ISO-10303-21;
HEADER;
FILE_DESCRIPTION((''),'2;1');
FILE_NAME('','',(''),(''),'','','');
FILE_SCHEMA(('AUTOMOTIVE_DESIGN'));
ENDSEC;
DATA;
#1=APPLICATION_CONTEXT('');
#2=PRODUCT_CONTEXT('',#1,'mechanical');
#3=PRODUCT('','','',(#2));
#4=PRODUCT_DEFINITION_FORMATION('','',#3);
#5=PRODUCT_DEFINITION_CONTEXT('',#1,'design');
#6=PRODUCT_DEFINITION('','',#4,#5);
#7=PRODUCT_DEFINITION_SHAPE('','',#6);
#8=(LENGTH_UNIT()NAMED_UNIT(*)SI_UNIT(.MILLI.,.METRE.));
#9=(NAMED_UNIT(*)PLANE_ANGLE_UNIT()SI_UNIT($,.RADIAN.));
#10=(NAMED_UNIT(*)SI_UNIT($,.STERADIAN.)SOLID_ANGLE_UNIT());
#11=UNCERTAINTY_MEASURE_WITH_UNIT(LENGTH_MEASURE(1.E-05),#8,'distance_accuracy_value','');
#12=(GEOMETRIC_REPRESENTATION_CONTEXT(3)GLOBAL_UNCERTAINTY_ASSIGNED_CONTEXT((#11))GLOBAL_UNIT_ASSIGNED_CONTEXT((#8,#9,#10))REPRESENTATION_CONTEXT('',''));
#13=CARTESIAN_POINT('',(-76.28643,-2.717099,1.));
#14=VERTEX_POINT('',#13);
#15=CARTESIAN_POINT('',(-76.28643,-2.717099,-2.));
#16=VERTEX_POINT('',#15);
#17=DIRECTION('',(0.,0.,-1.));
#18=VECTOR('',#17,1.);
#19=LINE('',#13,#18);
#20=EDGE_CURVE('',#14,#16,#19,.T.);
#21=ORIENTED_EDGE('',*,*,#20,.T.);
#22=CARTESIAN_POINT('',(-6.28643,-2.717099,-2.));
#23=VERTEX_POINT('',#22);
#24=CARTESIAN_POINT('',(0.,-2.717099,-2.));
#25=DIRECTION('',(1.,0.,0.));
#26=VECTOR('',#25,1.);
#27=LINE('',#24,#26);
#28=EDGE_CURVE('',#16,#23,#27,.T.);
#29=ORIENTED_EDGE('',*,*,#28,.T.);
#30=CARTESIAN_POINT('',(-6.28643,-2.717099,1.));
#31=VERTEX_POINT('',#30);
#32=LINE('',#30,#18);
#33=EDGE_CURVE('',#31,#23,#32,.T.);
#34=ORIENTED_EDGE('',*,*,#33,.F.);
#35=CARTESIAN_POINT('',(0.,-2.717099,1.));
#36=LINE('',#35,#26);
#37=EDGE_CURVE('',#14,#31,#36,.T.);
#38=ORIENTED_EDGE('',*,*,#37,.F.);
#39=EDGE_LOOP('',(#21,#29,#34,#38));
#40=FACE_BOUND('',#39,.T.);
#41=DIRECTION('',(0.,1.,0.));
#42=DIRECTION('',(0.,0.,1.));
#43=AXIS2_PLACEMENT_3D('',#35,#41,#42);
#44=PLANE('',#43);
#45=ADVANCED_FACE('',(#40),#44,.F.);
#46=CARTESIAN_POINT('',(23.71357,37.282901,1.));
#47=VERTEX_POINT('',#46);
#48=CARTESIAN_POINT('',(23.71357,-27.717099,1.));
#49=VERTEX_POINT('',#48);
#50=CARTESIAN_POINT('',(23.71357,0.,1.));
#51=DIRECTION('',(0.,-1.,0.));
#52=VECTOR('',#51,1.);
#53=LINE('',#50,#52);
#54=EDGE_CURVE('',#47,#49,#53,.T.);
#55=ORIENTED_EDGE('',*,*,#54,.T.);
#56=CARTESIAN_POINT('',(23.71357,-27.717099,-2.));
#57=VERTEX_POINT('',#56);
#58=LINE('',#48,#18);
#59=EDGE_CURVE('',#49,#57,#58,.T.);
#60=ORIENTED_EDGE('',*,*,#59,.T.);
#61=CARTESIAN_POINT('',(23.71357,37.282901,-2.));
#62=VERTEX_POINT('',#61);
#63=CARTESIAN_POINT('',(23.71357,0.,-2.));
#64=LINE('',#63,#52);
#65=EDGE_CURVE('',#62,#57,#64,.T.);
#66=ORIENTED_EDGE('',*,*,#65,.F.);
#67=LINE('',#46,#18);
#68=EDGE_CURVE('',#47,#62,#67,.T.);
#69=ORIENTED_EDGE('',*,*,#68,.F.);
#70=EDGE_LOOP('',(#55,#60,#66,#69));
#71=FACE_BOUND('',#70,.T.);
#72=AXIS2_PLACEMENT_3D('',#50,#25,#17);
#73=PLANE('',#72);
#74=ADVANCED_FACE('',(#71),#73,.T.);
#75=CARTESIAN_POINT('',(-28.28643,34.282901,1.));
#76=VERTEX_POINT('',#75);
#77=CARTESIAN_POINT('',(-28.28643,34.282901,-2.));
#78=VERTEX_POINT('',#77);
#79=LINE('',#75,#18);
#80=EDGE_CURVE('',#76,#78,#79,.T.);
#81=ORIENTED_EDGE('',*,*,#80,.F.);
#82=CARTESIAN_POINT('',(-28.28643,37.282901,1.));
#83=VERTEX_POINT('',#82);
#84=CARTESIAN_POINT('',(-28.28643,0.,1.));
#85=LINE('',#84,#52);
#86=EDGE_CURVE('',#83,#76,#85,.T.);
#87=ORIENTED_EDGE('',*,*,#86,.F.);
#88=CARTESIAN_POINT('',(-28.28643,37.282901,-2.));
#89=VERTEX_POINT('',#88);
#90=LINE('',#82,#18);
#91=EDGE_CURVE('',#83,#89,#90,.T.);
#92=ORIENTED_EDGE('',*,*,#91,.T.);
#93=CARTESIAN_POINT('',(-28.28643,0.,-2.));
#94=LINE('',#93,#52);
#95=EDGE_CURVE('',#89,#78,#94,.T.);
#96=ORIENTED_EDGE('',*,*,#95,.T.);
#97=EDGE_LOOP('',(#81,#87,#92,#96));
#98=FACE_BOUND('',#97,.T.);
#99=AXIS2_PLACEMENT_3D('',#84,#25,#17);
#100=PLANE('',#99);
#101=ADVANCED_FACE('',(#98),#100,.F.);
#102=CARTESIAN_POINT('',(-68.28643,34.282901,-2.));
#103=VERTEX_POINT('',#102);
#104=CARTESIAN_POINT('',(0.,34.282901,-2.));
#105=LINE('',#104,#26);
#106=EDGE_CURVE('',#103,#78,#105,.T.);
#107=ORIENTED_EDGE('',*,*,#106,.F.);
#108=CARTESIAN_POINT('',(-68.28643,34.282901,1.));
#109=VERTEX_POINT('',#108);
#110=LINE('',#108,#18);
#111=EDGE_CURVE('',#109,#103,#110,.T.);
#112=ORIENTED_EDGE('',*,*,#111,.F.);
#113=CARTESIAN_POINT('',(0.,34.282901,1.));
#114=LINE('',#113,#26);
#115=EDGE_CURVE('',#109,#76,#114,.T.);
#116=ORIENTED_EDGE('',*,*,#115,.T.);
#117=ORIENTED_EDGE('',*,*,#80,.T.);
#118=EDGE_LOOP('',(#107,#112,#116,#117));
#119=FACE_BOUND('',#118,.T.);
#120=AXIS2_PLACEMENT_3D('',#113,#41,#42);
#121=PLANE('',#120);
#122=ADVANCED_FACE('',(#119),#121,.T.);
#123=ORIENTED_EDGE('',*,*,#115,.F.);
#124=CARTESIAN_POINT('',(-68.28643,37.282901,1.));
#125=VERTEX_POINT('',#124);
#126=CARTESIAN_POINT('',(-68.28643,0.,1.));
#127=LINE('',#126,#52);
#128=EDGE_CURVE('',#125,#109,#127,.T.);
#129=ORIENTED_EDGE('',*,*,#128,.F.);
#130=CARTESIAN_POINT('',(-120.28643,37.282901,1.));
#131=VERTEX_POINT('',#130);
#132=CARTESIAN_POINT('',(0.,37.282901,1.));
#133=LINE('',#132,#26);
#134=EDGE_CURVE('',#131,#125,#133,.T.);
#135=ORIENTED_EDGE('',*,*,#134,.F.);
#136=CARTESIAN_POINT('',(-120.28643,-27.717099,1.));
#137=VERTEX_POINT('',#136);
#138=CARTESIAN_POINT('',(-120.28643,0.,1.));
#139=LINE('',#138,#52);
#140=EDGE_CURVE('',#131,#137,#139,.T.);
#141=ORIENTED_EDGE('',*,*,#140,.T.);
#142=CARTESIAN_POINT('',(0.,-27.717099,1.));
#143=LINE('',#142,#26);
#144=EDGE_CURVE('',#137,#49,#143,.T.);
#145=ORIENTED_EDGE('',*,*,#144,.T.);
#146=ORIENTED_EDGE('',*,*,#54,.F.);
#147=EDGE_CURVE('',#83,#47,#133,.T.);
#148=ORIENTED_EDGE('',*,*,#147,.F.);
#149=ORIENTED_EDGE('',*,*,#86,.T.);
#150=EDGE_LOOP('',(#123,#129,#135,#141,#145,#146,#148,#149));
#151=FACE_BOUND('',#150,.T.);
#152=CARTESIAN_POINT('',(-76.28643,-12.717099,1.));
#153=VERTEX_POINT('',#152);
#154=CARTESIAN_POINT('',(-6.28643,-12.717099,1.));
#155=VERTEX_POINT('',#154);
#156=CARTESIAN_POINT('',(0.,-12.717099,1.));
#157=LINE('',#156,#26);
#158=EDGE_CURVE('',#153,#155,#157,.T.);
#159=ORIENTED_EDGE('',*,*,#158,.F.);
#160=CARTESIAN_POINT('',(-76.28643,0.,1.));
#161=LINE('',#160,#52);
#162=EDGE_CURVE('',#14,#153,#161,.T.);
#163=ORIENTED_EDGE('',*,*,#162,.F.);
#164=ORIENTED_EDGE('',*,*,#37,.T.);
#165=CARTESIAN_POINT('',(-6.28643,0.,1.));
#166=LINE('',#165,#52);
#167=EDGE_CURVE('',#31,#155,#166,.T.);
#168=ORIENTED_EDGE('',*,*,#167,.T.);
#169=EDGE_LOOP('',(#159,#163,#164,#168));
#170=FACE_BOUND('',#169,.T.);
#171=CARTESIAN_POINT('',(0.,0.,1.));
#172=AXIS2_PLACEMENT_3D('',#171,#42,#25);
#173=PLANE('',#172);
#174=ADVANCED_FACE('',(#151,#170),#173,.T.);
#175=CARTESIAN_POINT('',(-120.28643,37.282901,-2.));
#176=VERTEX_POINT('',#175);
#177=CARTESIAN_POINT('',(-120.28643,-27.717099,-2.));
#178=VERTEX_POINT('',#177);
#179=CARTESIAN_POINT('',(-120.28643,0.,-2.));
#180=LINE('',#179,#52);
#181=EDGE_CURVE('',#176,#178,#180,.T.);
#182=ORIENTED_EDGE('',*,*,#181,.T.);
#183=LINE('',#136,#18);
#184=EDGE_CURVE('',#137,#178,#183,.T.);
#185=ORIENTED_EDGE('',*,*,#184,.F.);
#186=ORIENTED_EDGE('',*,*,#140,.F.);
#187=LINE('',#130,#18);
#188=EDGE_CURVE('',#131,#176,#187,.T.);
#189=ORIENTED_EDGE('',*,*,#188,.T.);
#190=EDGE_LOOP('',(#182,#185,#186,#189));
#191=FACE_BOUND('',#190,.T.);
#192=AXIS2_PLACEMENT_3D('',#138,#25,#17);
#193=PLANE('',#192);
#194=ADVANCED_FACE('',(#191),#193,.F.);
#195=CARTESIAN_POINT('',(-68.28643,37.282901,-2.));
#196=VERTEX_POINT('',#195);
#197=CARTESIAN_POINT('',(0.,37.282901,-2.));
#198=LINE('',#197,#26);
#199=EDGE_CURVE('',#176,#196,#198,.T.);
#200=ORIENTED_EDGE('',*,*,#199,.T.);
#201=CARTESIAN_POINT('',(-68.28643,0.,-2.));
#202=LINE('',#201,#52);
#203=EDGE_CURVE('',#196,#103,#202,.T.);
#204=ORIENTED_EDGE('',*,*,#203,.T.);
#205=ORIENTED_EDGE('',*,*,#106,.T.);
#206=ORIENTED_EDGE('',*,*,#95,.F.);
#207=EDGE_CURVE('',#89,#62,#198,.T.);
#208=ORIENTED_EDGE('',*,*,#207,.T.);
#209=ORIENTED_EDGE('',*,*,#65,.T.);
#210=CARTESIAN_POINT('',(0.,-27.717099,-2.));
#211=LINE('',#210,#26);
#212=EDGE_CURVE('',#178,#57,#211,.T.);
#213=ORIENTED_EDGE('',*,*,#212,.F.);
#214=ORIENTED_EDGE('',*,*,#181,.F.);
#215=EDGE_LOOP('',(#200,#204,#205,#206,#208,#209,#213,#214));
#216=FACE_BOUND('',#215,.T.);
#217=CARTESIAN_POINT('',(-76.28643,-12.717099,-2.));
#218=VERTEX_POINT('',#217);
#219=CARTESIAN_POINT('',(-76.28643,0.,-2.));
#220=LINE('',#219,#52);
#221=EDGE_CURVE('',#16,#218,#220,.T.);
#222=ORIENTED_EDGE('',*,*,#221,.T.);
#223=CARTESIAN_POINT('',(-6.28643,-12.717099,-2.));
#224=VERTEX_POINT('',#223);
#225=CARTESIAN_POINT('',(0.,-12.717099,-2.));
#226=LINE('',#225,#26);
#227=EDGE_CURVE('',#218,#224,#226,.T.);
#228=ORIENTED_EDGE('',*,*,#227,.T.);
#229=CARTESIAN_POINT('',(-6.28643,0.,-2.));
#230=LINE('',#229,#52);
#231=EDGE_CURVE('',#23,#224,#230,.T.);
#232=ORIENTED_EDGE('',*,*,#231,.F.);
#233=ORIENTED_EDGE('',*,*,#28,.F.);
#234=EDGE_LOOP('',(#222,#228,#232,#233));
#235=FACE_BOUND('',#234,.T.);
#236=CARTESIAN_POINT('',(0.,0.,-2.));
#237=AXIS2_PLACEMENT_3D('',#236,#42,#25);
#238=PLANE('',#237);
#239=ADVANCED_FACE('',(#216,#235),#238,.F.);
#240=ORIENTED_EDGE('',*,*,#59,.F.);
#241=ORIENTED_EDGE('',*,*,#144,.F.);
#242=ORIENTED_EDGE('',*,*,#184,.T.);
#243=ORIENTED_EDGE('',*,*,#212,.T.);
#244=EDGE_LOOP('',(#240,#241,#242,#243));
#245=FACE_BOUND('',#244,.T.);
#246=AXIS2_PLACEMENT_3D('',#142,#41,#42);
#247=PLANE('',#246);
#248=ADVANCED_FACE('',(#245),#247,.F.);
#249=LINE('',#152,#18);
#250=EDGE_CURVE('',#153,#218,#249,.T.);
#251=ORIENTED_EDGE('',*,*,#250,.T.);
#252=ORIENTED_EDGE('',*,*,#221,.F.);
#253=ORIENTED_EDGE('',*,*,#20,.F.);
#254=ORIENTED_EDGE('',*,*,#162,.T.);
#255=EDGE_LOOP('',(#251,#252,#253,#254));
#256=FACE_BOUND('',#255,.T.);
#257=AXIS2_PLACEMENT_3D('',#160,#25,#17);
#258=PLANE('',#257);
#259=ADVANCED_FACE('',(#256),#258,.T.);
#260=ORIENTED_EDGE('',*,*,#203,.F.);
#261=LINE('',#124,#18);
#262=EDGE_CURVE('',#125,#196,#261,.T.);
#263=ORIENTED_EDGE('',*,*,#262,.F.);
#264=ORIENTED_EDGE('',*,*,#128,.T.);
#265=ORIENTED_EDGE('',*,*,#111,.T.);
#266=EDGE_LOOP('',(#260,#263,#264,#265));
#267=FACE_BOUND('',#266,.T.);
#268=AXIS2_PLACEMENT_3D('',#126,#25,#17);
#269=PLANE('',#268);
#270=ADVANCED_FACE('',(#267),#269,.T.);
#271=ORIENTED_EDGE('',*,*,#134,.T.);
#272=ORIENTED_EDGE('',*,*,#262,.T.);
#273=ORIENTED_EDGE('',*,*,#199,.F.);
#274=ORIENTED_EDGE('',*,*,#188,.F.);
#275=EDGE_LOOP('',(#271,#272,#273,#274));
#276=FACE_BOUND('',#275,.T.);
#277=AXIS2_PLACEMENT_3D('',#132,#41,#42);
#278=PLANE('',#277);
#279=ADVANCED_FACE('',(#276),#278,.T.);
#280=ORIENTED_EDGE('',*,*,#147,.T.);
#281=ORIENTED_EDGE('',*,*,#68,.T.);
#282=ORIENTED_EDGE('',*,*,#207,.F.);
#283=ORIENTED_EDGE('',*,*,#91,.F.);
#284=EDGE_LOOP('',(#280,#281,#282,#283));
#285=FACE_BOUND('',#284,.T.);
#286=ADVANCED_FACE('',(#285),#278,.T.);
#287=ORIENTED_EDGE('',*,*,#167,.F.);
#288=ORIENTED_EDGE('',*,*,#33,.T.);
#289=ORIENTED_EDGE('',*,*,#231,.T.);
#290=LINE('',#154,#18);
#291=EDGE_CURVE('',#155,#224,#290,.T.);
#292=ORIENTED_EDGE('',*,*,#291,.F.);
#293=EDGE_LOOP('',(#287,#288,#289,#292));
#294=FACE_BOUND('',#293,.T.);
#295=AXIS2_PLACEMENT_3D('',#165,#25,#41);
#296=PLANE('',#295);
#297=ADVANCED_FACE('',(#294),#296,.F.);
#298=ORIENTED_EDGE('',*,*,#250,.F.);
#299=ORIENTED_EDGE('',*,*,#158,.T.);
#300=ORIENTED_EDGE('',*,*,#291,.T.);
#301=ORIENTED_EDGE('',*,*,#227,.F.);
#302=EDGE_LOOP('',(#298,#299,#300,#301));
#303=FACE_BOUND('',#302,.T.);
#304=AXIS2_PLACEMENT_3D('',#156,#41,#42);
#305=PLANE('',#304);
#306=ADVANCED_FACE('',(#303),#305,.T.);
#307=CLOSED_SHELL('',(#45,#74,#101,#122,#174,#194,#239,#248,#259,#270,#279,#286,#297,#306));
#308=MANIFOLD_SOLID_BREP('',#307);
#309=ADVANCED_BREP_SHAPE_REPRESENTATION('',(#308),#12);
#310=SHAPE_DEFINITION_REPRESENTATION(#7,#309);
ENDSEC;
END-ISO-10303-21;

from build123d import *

# Parameters (mm, degrees)
ESBO_O1_W                     = 70
ESBO_O1_H                     = 10
RESSALTO_EXTRUS_O1_DEPTH      = 1
RESSALTO_EXTRUS_O1_DEPTH_BACK = 2


with BuildPart() as part:
    # Esboço1 → Ressalto-extrusão1 (new body, two sides)
    with BuildSketch(Plane.XY) as ressalto_extrus_o1_sk:
        Polygon((-68.286430173, 37.282901017), (-120.286430173, 37.282901017), (-120.286430173, -27.717098983), (23.713569827, -27.717098983), (23.713569827, 37.282901017), (-28.286430173, 37.282901017), (-28.286430173, 34.282901017), (-68.286430173, 34.282901017), align=None)
        with Locations((-41.286430173, -7.717098983)):
            Rectangle(ESBO_O1_W, ESBO_O1_H, mode=Mode.SUBTRACT)
    extrude(amount=RESSALTO_EXTRUS_O1_DEPTH)
    extrude(ressalto_extrus_o1_sk.sketch, amount=-RESSALTO_EXTRUS_O1_DEPTH_BACK)


solid = part.part
